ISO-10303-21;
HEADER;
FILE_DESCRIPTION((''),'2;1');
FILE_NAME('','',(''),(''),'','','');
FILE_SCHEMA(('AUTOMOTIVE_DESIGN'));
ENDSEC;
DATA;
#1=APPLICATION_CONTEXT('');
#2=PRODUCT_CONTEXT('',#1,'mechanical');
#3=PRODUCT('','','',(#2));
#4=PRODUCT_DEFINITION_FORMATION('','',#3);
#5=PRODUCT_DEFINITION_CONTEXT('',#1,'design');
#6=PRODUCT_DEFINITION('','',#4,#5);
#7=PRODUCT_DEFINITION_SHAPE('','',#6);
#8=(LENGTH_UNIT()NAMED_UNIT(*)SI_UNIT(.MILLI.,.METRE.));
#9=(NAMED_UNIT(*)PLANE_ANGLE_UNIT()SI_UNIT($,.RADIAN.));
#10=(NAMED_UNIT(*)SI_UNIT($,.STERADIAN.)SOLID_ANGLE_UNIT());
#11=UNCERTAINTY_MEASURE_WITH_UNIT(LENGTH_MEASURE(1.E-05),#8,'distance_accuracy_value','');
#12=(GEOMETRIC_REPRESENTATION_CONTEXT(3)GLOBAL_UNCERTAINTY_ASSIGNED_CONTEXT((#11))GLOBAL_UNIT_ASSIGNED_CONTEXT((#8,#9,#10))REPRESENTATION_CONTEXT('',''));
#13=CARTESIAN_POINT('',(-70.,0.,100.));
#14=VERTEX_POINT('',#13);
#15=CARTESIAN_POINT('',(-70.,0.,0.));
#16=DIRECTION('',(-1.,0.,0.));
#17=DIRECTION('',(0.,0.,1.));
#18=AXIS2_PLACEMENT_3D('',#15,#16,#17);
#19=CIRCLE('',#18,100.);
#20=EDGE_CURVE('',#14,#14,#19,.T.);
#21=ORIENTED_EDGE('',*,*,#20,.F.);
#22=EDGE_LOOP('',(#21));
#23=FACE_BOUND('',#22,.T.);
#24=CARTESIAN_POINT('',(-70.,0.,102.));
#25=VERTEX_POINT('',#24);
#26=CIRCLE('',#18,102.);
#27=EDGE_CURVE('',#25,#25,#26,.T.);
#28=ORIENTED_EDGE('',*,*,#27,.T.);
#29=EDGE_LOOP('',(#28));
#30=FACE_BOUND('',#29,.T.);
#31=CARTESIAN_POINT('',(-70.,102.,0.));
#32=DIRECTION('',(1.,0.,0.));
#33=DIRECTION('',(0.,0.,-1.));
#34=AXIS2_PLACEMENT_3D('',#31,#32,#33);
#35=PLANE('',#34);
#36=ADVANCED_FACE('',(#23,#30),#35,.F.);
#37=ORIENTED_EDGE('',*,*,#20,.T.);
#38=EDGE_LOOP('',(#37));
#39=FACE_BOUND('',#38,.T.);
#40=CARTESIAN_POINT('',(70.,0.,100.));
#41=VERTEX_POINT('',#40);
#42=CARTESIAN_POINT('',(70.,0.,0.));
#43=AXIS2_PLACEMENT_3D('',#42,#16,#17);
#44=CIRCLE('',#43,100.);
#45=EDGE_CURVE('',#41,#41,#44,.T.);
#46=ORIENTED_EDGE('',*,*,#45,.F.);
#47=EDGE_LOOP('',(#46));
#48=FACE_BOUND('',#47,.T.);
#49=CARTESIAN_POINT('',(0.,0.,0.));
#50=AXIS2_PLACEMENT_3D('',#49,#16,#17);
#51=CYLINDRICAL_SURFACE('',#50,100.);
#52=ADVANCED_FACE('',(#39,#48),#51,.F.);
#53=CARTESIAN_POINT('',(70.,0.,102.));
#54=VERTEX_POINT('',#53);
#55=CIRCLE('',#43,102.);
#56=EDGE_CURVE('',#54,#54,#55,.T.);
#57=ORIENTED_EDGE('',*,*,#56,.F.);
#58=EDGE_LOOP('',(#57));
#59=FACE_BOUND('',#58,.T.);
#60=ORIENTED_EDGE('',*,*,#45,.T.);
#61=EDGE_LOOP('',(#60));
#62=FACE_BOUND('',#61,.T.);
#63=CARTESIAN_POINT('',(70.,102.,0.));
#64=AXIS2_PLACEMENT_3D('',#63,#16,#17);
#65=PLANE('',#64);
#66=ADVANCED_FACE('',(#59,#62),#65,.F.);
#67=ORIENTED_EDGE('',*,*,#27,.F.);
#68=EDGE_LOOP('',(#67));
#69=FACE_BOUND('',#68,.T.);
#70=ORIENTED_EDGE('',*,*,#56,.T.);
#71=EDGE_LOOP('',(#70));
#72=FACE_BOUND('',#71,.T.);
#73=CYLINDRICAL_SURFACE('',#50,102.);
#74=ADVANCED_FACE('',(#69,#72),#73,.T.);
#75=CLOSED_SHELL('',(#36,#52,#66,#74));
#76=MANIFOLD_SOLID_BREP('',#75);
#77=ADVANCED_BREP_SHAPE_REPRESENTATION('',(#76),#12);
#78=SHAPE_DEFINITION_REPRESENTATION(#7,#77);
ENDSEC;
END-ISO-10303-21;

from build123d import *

# Parameters (mm, degrees)
SKETCH_1_W = 140
SKETCH_1_H = 2


with BuildPart() as part:
    # Эскиз1 → Повернуть1 (revolve)
    with BuildSketch(Plane.XY):
        with Locations((0, 101)):
            Rectangle(SKETCH_1_W, SKETCH_1_H)
    revolve(axis=Axis((0, 0, 0), (1, 0, 0)))


solid = part.part
